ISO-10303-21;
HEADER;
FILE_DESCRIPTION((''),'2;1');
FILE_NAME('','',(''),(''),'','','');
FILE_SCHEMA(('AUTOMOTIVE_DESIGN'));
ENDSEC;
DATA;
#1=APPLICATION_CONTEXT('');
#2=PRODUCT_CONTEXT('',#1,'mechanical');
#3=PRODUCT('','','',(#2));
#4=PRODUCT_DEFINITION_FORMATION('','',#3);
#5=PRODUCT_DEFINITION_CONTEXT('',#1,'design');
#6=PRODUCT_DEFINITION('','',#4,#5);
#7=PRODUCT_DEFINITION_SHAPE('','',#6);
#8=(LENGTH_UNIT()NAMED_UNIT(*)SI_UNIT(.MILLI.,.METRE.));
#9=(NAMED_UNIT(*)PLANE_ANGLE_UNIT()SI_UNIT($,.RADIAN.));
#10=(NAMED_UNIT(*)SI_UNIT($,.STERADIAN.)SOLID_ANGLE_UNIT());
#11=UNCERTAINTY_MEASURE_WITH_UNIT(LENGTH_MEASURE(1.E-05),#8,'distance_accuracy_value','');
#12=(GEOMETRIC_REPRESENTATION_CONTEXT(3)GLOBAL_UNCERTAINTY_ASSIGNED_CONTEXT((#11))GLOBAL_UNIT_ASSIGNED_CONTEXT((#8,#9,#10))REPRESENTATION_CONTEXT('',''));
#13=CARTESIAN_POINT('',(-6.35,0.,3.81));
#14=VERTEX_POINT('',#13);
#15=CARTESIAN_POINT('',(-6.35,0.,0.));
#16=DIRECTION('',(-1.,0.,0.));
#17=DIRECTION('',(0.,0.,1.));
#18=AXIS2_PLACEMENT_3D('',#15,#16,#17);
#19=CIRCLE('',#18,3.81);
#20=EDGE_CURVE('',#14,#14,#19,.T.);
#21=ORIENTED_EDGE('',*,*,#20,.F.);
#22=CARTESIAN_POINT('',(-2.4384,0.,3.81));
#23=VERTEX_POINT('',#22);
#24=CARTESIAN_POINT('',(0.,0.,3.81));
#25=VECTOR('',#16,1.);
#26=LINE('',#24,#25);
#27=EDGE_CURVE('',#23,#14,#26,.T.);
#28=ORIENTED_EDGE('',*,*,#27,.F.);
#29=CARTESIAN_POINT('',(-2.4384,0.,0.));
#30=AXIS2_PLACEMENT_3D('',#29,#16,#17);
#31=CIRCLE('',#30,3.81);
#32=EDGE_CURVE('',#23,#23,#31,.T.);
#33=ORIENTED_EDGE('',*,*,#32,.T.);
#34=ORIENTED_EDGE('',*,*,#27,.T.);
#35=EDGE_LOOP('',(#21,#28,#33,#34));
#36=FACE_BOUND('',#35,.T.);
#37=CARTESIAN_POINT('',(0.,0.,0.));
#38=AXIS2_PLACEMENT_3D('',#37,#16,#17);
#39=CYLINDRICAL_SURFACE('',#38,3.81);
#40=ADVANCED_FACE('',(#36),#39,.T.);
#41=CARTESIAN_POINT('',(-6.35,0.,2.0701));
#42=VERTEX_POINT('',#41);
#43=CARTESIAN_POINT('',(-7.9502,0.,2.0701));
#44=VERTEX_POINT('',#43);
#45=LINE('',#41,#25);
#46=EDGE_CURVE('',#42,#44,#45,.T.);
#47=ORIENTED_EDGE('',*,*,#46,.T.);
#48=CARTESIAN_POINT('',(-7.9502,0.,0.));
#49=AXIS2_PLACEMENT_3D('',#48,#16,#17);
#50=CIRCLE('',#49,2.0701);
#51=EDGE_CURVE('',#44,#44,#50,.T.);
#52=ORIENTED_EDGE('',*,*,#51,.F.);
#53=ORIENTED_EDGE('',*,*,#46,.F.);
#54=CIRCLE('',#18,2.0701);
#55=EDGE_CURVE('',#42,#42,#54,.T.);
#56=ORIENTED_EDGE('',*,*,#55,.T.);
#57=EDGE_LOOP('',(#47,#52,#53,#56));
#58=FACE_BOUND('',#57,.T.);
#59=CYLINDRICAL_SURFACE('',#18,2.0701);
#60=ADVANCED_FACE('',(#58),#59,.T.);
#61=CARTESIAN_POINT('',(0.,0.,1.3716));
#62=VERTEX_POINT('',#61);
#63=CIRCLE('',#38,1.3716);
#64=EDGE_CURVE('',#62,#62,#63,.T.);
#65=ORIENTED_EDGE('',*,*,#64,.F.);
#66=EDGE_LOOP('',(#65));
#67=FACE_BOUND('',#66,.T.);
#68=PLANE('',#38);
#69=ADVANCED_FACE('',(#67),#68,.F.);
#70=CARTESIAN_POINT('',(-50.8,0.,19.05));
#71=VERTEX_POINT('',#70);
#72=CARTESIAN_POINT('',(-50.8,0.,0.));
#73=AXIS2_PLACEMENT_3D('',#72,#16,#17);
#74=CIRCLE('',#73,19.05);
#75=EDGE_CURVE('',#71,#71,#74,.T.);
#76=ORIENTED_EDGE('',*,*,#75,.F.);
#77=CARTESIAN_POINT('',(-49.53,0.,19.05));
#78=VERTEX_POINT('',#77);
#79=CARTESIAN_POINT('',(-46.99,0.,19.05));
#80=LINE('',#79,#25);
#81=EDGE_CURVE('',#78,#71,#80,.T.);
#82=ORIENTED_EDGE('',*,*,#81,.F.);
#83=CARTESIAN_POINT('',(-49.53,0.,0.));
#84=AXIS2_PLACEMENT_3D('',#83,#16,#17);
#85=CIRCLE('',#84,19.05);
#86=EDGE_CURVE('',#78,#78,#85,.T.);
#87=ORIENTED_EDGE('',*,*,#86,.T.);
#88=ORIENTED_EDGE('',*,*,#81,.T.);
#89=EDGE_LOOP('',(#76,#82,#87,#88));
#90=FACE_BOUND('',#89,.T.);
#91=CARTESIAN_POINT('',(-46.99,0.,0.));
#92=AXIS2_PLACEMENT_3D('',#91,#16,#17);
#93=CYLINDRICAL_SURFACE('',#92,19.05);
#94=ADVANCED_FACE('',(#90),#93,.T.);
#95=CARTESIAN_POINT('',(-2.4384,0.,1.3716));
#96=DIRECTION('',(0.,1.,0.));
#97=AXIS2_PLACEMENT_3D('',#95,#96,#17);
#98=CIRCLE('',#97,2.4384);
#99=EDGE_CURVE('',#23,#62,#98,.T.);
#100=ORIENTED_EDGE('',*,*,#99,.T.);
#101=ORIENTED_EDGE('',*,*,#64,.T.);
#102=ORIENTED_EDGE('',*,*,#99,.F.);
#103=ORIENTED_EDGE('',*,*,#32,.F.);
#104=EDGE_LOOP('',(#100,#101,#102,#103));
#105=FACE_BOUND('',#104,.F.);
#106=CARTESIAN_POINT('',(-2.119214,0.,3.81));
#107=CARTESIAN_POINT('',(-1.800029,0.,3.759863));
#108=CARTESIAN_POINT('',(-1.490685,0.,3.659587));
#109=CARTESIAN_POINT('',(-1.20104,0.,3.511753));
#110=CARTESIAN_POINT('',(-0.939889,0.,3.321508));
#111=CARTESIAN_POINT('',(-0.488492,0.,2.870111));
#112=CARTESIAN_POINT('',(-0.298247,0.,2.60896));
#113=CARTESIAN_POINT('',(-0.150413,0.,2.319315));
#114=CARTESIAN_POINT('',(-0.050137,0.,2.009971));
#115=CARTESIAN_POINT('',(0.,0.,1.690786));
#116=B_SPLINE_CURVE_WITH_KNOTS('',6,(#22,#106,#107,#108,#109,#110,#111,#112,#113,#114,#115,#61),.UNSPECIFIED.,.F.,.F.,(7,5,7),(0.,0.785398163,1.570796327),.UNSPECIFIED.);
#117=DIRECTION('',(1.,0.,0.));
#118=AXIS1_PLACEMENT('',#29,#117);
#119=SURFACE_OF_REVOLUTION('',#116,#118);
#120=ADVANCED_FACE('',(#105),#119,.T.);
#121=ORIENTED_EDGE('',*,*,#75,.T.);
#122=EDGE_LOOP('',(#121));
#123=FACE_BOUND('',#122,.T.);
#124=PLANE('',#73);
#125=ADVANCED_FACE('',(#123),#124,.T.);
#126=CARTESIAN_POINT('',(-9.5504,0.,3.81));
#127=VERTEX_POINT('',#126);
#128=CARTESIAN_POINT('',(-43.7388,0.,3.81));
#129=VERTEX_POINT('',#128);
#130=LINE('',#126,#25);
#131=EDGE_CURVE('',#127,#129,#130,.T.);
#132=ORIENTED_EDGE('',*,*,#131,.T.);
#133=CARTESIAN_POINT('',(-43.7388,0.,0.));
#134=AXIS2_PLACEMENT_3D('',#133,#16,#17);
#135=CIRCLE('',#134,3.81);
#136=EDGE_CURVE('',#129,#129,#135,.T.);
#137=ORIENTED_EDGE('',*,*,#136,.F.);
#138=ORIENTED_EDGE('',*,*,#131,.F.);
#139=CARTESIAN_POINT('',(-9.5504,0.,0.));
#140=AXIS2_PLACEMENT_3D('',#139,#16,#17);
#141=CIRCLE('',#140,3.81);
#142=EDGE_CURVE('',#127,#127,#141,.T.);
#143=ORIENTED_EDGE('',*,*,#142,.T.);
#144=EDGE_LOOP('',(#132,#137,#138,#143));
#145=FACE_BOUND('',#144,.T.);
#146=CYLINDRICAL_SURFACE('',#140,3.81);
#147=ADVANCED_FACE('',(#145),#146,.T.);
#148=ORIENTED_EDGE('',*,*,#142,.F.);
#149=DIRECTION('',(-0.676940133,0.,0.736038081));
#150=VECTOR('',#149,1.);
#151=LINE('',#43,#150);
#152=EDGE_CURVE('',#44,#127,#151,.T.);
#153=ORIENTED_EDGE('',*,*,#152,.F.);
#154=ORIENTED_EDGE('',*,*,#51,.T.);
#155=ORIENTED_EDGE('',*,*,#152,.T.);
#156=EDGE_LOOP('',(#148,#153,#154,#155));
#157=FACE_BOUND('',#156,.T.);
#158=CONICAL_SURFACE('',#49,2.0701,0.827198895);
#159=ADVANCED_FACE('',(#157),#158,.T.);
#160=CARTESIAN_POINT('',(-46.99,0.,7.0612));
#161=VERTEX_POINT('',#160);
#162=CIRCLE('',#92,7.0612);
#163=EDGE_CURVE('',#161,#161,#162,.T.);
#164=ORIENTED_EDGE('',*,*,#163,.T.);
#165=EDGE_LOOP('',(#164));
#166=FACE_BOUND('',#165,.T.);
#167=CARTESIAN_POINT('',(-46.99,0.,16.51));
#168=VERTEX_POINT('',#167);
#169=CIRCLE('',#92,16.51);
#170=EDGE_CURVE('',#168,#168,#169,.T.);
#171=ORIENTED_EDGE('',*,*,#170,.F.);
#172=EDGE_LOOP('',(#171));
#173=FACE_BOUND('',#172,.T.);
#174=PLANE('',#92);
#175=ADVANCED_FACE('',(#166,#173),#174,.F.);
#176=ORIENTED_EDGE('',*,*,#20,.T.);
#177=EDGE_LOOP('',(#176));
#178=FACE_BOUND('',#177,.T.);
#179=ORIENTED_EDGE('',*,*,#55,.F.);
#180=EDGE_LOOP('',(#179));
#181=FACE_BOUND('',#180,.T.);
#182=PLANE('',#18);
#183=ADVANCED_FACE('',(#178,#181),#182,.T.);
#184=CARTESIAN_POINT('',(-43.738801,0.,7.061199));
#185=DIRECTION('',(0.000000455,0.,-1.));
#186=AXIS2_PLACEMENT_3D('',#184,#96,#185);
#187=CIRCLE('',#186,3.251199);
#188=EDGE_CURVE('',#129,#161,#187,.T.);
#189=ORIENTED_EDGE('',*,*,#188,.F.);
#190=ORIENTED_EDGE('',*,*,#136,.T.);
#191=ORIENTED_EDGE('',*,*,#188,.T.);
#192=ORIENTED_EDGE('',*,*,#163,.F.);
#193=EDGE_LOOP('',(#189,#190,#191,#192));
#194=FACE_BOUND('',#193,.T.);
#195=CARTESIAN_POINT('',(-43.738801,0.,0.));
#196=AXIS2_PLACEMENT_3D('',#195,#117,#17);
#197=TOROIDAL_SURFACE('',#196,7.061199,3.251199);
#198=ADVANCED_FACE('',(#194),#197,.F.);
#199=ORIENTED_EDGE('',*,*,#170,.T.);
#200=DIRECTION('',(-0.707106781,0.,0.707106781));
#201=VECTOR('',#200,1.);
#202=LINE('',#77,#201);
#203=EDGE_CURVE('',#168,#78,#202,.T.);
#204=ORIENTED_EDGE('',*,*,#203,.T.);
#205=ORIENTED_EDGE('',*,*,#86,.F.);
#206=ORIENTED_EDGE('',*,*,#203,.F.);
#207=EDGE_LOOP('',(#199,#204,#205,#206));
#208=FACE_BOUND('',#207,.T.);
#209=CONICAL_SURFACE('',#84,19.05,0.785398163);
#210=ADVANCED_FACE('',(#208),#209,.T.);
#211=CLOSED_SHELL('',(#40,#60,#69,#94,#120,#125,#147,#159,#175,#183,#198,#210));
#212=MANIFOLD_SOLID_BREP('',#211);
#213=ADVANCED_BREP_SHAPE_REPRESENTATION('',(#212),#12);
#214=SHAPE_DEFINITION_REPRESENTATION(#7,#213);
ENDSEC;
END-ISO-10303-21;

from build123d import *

# Parameters (mm, degrees)
F2_SIZE2 = 2.54
F2_SIZE  = 2.54
F3_R     = 2.4384


with BuildPart() as f1:
    # F0 (on Front) → F1 (revolve)
    with BuildSketch(Plane.XZ):
        with BuildLine():
            Line((-50.8, 0), (0, 0))
            Line((0, 0), (0, 3.81))
            Line((0, 3.81), (-6.35, 3.81))
            Line((-6.35, 3.81), (-6.35, 2.0701))
            Line((-6.35, 2.0701), (-7.9502, 2.0701))
            Line((-7.9502, 2.0701), (-9.5504, 3.81))
            Line((-9.5504, 3.81), (-43.7388, 3.81))
            ThreePointArc((-43.7388, 3.81), (-46.037746, 4.762254), (-46.99, 7.0612))
            Line((-46.99, 7.0612), (-46.99, 19.05))
            Line((-46.99, 19.05), (-50.8, 19.05))
            Line((-50.8, 19.05), (-50.8, 0))
        make_face()
    revolve(axis=Axis((-25.4, 0, 0), (-1, 0, 0)))

    # F2
    f2_edges = [f1.edges().sort_by_distance(p)[0] for p in [
        (-46.99, 0, -19.05),
    ]]
    chamfer(f2_edges, length=F2_SIZE, length2=F2_SIZE2)

    # F3
    f3_edges = [f1.edges().sort_by_distance(p)[0] for p in [
        (0, 0, -3.81),
    ]]
    fillet(f3_edges, radius=F3_R)


solid = f1.part
